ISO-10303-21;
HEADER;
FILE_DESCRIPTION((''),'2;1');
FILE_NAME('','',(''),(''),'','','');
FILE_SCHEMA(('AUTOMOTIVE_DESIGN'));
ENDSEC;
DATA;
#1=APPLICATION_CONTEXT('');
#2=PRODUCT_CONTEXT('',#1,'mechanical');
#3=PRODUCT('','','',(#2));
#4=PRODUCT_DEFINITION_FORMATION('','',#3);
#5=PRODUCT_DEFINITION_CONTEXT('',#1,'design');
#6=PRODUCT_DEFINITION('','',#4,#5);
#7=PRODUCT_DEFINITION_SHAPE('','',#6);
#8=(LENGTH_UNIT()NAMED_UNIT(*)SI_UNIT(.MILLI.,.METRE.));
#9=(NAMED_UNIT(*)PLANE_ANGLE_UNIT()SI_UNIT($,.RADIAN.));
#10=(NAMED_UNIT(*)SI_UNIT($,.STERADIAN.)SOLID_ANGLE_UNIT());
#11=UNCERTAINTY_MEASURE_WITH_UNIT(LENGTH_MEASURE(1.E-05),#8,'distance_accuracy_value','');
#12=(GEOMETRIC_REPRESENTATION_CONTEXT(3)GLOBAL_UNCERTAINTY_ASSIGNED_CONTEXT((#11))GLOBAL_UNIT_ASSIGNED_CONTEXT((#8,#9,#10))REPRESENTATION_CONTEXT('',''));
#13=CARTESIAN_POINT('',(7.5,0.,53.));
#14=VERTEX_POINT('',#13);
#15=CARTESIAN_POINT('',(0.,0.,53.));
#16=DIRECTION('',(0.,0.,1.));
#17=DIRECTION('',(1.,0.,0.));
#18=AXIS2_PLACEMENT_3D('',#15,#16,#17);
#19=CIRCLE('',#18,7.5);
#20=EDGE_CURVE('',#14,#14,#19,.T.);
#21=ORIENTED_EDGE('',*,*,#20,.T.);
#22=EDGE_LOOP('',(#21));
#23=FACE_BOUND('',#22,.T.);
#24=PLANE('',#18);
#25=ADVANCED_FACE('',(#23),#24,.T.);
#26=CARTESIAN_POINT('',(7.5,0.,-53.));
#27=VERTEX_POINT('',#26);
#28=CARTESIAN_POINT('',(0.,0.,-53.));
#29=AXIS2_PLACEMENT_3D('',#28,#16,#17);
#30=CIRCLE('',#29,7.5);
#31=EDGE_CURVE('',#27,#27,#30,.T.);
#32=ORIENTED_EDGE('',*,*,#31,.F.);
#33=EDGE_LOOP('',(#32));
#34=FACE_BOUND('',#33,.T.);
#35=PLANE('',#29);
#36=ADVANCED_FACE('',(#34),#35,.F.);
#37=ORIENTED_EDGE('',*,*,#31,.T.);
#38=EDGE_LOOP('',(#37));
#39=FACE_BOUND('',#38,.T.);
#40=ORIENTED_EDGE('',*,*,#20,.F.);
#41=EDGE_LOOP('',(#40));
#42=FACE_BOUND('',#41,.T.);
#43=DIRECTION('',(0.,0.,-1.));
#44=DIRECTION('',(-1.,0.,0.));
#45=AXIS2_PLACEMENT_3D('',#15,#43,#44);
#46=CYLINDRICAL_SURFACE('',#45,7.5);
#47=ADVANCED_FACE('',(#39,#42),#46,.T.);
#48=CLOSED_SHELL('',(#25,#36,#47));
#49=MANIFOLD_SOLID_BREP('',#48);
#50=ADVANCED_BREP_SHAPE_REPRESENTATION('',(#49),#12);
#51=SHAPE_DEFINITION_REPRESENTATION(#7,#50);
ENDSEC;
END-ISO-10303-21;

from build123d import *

# Parameters (mm, degrees)
CROQUIS1_R              = 7.5
SALIENTE_EXTRUIR1_DEPTH = 53


with BuildPart() as part:
    # Croquis1 → Saliente-Extruir1 (new body, symmetric)
    with BuildSketch(Plane.XY):
        Circle(CROQUIS1_R)
    extrude(amount=SALIENTE_EXTRUIR1_DEPTH, both=True)


solid = part.part
